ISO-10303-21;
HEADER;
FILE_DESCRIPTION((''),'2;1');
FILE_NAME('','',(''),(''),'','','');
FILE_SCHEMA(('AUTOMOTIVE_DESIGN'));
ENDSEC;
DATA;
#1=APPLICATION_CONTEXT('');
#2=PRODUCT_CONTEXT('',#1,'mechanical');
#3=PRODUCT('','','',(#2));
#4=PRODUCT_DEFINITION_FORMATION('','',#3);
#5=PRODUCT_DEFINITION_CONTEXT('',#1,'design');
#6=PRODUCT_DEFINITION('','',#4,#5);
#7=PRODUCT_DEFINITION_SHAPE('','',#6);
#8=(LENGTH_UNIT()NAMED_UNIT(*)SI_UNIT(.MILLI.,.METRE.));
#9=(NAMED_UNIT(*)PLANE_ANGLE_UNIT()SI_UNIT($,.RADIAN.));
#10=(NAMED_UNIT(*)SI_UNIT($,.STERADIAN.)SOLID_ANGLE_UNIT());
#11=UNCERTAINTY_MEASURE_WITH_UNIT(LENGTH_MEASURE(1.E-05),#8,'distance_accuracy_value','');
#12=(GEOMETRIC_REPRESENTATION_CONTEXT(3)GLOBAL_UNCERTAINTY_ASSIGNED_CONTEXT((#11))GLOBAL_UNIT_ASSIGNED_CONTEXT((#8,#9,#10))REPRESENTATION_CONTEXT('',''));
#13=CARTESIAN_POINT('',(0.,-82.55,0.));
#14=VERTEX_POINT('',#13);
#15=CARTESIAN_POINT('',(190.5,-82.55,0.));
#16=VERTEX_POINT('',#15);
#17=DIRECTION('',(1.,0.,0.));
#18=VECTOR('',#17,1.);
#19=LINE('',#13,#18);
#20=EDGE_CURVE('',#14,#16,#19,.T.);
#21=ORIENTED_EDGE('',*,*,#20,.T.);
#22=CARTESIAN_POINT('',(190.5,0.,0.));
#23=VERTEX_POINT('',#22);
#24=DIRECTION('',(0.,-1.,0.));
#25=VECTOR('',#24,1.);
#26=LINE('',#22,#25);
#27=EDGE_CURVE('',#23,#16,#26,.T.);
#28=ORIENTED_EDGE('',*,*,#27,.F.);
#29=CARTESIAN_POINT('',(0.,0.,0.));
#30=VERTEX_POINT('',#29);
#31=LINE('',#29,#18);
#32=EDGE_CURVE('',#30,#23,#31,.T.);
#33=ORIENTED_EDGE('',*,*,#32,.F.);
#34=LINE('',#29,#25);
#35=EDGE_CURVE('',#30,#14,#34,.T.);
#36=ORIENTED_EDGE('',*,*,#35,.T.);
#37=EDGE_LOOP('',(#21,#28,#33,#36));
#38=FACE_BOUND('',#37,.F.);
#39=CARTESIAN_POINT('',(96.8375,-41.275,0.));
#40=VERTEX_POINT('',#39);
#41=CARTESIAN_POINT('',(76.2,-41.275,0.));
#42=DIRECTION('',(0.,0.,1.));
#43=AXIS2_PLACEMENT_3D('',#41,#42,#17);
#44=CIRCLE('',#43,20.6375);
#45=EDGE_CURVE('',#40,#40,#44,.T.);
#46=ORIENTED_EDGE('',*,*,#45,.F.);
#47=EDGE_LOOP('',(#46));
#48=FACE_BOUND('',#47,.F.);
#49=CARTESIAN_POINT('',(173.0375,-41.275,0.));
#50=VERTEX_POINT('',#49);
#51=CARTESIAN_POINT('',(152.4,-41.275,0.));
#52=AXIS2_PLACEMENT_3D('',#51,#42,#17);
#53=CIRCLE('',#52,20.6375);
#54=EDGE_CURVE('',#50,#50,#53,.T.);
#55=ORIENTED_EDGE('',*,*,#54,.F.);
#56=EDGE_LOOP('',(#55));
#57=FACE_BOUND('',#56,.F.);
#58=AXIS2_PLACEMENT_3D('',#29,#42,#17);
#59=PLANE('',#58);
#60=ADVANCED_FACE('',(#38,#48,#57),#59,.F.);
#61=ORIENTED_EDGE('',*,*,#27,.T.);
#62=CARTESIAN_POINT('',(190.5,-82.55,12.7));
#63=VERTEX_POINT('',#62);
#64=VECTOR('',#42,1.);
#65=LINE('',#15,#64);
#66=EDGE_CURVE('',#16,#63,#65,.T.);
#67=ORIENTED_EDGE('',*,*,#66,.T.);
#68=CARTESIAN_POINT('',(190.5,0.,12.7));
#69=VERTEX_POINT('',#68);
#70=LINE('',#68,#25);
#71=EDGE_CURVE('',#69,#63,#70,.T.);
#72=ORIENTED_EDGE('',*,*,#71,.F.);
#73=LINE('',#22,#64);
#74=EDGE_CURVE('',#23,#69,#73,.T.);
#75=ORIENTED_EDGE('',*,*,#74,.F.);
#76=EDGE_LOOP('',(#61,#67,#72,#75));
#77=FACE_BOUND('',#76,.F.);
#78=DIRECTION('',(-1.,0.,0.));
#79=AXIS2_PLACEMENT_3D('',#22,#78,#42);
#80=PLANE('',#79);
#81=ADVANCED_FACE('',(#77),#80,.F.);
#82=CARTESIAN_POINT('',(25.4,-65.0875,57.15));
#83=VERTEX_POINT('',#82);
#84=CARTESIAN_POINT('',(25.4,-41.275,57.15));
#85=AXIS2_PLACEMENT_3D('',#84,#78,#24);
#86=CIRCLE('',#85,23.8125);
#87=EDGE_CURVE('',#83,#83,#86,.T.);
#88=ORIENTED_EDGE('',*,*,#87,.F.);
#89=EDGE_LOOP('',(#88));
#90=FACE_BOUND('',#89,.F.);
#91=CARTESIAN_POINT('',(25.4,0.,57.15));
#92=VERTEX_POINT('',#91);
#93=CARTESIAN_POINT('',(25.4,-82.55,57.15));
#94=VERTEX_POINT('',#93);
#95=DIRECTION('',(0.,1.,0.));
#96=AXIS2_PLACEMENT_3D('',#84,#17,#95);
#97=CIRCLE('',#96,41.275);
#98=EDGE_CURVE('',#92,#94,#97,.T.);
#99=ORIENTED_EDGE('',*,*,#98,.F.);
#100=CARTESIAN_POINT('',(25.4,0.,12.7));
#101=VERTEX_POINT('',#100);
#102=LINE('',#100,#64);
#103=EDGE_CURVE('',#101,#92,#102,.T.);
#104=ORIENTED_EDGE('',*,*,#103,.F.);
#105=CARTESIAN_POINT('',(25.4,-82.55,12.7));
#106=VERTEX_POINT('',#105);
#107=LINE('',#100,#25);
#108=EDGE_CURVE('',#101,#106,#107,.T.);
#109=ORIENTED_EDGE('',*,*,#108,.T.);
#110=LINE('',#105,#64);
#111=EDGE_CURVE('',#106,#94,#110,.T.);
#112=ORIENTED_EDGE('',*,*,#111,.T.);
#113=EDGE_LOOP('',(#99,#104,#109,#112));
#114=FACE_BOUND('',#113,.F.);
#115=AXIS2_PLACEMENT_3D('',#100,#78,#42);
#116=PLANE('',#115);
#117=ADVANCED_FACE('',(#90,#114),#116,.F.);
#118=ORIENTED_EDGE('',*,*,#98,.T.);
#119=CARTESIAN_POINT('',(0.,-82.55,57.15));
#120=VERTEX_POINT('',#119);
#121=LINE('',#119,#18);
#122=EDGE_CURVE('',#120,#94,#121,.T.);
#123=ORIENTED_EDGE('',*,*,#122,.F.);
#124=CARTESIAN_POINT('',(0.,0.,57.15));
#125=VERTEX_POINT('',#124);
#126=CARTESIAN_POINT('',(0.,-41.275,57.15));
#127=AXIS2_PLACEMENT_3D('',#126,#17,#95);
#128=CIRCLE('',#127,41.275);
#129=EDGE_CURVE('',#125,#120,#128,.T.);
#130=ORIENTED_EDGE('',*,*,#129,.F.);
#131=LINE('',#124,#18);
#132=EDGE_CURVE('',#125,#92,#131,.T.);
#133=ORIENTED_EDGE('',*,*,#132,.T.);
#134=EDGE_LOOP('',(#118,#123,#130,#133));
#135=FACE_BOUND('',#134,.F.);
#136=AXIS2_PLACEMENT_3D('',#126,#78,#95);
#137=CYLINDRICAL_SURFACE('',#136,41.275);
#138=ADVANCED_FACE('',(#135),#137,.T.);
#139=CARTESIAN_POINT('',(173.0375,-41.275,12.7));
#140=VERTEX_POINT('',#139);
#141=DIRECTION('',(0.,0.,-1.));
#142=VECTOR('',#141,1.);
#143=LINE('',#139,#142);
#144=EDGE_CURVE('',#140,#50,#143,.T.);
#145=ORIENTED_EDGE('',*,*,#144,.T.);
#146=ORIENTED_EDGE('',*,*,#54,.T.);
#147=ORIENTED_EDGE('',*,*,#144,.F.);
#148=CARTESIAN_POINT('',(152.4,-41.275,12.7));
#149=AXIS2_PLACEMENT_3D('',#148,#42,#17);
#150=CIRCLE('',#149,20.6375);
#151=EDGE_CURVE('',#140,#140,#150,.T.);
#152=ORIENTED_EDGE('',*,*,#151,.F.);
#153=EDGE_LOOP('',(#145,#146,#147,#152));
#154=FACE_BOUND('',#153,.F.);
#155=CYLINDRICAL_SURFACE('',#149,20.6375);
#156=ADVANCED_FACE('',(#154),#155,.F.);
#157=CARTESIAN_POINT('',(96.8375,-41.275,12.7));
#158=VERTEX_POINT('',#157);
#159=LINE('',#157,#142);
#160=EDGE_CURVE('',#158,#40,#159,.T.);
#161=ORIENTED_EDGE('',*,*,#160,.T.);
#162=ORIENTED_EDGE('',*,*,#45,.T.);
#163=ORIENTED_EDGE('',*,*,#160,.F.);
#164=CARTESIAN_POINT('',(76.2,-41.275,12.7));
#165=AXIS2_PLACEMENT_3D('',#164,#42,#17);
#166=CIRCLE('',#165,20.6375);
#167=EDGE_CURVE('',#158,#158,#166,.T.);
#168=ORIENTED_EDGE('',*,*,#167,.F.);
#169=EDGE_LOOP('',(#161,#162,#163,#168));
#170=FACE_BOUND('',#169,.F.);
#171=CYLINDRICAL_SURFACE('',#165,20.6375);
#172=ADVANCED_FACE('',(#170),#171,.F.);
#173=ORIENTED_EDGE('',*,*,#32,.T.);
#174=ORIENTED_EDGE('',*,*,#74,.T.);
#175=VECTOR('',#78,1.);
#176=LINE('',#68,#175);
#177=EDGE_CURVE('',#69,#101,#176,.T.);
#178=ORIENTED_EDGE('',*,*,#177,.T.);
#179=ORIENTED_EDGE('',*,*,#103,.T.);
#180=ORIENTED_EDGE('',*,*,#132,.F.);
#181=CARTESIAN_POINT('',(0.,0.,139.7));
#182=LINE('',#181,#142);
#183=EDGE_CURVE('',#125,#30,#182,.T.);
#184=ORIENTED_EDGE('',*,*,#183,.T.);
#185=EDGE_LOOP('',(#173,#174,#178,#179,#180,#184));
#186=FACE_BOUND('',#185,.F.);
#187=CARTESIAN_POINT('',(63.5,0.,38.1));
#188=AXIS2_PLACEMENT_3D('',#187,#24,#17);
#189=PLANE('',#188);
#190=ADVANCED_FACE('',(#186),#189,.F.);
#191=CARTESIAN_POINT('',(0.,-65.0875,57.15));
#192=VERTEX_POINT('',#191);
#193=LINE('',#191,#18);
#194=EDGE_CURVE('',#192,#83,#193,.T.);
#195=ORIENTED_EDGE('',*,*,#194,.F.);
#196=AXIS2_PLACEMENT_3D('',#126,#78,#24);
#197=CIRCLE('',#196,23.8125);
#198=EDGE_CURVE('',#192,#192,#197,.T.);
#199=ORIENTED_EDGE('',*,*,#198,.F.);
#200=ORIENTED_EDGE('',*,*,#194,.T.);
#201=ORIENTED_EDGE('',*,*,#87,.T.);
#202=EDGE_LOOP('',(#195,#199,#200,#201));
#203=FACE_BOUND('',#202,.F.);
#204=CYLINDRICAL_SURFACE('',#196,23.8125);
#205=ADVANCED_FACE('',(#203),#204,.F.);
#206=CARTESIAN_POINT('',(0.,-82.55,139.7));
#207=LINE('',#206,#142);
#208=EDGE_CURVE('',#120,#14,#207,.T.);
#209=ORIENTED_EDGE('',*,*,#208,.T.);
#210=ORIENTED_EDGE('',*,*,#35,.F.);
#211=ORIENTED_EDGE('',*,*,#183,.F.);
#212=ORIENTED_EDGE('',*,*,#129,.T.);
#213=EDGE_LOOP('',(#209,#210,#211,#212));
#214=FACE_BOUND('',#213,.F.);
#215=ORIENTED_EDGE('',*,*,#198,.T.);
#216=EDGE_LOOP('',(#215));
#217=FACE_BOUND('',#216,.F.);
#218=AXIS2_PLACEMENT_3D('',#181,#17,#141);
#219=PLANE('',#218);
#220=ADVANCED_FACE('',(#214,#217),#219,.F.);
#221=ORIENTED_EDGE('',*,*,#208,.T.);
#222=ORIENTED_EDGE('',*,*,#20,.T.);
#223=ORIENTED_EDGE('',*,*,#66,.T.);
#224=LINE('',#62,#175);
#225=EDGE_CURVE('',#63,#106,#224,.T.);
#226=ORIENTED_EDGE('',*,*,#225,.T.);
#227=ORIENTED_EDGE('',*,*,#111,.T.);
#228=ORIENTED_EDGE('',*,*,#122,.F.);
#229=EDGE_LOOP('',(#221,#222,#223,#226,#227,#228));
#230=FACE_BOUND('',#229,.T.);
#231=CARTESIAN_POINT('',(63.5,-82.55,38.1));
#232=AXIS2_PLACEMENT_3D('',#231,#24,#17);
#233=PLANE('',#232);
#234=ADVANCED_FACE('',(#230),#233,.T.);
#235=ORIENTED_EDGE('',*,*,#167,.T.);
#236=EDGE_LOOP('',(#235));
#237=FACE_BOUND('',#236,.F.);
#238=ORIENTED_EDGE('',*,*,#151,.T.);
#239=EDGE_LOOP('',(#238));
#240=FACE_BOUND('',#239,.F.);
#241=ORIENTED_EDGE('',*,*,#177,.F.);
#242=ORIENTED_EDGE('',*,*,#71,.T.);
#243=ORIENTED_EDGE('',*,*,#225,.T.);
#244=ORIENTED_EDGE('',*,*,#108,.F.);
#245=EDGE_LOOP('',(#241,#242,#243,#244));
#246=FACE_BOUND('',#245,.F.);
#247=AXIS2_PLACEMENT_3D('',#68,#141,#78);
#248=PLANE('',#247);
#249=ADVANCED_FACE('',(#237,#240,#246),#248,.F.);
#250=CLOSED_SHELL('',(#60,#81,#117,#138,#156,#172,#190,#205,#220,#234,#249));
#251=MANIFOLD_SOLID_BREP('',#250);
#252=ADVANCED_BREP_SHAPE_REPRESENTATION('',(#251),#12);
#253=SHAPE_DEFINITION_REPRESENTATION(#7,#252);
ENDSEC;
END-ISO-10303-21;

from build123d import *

# Parameters (mm, degrees)
F1_DEPTH = 82.55
F2_R     = 20.6375
F3_DEPTH = 12.7
F5_DEPTH = 25.4
F6_R     = 23.8125
F7_DEPTH = 25.4


with BuildPart() as f1:
    # F0 (on Front) → F1 (new body)
    with BuildSketch(Plane.XZ):
        Polygon((0, 139.7), (0, 0), (190.5, 0), (190.5, 12.7), (25.4, 12.7), (25.4, 139.7), align=None)
    extrude(amount=F1_DEPTH)

    # F2 (on face) → F3 (cut, through all)
    with BuildSketch(Plane.XY.offset(12.7)):
        with Locations((76.2, -41.275)):
            Circle(F2_R)
        with Locations((152.4, -41.275)):
            Circle(F2_R)
    extrude(amount=-F3_DEPTH, mode=Mode.SUBTRACT)

    # F4 (on face) → F5 (cut)
    with BuildSketch(Plane(origin=(0, 0, 0), x_dir=(0, -1, 0), z_dir=(-1, 0, 0))):
        with BuildLine():
            ThreePointArc((0, 57.15), (41.275, 98.425), (82.55, 57.15))
            Line((82.55, 57.15), (82.55, 139.7))
            Line((82.55, 139.7), (0, 139.7))
            Line((0, 139.7), (0, 57.15))
        make_face()
    extrude(amount=-F5_DEPTH, mode=Mode.SUBTRACT)

    # F6 (on face) → F7 (cut, through all)
    with BuildSketch(Plane(origin=(0, 0, 0), x_dir=(0, -1, 0), z_dir=(-1, 0, 0))):
        with Locations((41.275, 57.15)):
            Circle(F6_R)
    extrude(amount=-F7_DEPTH, mode=Mode.SUBTRACT)


solid = f1.part
